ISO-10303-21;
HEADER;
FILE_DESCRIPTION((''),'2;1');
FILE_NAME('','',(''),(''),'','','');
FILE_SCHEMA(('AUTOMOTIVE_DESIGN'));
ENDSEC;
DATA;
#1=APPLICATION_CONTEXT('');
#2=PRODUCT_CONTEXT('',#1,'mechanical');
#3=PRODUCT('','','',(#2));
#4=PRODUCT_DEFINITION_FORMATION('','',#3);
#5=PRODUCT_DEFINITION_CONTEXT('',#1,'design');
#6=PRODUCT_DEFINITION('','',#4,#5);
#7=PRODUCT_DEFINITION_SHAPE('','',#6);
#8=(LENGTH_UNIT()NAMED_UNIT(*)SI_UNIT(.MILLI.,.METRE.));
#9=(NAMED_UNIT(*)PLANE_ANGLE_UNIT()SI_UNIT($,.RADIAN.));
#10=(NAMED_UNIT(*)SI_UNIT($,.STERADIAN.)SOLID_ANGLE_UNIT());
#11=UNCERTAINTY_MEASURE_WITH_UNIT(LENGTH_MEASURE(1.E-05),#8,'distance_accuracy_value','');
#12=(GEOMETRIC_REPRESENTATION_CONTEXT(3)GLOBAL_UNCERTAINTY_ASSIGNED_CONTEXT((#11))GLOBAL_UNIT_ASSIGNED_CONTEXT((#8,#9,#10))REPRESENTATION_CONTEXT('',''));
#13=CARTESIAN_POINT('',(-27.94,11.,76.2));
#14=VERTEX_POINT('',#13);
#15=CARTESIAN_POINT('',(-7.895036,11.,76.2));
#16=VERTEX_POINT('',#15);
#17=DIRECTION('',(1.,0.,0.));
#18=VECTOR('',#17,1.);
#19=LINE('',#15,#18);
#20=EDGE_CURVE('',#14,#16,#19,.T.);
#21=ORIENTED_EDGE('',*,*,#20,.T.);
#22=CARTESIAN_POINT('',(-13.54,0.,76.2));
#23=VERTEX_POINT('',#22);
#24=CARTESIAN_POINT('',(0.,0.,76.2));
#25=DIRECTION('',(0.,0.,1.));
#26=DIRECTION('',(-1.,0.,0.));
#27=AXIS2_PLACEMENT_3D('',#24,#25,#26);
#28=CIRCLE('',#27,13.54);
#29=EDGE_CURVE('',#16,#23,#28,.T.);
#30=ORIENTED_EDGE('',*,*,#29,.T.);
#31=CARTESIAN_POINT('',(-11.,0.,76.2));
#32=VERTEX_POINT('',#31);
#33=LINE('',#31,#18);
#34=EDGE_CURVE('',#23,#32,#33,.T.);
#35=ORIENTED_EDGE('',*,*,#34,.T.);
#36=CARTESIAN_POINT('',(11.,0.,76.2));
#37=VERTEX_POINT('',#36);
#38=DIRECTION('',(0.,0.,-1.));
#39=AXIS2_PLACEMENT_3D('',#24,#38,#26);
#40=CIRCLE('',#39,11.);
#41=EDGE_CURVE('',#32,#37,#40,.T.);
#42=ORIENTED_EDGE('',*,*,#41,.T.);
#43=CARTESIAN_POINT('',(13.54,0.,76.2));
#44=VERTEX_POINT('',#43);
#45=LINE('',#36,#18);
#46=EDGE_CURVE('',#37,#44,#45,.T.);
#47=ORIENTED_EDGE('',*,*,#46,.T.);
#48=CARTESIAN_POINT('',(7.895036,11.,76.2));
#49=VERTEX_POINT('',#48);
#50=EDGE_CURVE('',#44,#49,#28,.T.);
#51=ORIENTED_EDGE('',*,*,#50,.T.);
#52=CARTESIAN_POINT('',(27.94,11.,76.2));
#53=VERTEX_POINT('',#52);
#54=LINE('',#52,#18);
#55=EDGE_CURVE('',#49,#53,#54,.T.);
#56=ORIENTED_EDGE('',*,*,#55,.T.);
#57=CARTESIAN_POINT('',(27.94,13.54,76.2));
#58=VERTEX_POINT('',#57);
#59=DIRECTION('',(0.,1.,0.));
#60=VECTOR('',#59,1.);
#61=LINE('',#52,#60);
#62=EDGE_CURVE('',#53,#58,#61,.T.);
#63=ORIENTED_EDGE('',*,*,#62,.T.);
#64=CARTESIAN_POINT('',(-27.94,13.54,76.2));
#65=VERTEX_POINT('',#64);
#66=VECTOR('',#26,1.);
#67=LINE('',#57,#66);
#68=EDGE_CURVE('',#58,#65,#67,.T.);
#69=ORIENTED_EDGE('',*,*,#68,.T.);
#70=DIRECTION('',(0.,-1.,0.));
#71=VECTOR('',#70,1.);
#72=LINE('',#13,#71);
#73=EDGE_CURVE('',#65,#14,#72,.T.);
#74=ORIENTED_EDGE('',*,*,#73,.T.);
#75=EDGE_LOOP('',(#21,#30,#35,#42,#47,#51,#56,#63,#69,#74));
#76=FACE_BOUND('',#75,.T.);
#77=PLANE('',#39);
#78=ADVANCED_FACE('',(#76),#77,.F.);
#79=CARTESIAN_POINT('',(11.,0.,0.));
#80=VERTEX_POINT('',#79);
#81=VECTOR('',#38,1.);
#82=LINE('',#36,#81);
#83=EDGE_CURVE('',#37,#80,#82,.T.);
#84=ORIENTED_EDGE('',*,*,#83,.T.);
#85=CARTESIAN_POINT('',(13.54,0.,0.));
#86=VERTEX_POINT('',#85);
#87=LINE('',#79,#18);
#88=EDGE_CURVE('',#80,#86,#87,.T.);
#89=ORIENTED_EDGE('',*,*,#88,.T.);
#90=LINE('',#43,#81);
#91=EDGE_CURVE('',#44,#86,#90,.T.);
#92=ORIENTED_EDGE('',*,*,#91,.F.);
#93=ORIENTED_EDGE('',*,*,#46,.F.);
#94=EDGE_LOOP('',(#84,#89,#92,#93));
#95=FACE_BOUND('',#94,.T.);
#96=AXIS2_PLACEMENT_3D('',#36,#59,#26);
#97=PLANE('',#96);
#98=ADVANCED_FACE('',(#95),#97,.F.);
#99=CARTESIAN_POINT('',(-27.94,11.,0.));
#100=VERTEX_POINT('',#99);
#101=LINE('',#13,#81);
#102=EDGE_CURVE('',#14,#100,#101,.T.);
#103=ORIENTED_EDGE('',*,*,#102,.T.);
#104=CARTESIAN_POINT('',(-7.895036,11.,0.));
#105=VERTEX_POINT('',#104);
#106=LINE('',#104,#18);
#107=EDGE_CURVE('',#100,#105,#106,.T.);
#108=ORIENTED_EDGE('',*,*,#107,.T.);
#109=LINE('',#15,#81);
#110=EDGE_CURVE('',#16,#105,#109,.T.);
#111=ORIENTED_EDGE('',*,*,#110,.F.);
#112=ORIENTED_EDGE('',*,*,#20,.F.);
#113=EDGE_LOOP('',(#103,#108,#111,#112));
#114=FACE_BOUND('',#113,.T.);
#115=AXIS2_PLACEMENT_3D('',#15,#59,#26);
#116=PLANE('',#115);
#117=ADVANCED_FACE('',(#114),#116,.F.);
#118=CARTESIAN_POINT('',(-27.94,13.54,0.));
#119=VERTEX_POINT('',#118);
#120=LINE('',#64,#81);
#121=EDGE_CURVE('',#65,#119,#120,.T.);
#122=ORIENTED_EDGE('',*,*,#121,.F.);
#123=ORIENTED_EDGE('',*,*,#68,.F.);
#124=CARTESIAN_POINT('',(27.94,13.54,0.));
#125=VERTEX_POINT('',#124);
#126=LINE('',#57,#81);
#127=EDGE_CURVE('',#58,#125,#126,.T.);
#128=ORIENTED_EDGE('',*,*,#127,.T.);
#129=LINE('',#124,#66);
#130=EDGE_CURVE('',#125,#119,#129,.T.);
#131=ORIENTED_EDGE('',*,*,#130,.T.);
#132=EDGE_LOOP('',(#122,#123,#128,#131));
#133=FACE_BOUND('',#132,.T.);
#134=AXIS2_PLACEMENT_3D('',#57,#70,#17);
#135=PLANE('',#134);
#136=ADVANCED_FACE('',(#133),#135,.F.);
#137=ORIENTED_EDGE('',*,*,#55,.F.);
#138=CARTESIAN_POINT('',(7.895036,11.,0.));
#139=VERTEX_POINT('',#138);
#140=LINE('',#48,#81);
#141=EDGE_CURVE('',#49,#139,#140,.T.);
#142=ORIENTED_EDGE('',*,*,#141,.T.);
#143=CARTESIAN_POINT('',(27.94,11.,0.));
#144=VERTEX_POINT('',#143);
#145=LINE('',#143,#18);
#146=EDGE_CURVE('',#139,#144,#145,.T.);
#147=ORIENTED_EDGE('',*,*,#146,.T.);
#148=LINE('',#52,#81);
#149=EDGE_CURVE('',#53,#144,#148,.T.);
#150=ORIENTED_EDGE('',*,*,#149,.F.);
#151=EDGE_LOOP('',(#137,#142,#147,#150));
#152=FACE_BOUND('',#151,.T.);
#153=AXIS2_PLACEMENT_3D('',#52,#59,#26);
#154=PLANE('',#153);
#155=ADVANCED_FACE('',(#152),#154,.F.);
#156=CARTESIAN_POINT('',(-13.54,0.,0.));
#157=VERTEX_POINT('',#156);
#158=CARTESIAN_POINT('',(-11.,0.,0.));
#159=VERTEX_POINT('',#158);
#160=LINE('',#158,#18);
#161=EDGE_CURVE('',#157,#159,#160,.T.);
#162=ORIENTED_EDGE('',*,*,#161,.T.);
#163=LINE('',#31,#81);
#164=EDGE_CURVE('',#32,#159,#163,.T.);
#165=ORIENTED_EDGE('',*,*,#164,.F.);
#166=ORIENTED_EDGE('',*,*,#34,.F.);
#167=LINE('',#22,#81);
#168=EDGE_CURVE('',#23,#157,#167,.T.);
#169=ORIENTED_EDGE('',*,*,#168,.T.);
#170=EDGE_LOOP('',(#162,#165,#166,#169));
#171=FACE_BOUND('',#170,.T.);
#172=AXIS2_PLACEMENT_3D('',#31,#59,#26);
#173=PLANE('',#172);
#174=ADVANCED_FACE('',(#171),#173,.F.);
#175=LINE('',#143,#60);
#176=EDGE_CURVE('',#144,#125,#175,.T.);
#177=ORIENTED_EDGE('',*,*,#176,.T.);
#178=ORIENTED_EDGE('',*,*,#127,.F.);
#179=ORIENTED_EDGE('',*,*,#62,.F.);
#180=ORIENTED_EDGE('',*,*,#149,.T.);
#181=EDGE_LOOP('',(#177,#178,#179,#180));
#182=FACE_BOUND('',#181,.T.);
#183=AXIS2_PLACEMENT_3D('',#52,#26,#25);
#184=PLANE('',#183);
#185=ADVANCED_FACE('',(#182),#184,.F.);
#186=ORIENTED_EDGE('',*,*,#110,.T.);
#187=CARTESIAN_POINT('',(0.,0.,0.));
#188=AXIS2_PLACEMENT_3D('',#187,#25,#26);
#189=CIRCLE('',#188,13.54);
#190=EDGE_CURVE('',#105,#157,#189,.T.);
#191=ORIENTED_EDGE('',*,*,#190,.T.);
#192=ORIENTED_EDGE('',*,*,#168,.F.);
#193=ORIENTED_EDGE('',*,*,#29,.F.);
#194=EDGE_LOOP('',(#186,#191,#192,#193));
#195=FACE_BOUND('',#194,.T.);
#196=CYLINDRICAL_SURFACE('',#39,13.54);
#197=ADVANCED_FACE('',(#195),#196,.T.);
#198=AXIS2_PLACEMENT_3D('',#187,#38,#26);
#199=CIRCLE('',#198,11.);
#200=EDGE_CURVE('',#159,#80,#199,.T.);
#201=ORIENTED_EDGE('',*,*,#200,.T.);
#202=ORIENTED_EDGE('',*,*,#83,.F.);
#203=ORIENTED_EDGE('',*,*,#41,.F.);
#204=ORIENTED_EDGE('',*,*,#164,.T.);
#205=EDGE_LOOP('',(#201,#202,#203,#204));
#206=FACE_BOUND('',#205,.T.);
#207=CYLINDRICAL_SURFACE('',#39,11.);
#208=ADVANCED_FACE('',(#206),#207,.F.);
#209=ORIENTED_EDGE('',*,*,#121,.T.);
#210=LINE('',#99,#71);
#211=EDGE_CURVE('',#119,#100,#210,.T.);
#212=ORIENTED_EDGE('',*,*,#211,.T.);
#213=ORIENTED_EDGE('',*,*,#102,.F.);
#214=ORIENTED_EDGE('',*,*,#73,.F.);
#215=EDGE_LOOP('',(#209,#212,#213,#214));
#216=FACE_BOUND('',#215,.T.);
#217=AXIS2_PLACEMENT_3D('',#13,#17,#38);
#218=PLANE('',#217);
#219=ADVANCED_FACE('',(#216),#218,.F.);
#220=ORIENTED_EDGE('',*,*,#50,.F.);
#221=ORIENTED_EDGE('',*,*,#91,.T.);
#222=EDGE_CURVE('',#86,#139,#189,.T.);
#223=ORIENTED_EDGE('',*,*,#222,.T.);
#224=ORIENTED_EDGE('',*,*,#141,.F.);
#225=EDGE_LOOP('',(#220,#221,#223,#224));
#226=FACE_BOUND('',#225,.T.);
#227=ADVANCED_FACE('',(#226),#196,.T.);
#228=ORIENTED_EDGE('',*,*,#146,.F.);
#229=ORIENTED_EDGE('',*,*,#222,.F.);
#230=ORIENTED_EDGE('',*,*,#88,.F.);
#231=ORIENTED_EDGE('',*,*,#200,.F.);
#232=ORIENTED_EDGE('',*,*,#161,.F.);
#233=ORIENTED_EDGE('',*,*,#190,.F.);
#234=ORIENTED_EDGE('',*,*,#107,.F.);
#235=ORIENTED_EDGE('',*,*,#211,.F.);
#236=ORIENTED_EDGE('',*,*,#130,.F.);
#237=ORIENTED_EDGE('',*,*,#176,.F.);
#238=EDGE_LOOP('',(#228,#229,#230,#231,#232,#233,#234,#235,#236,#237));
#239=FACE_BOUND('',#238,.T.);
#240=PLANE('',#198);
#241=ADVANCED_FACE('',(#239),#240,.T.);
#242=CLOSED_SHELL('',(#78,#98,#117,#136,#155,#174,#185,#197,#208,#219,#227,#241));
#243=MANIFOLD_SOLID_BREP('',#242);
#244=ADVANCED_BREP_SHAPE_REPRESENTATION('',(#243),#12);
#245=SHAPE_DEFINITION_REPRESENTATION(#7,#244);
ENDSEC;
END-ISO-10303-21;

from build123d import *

# Parameters (mm, degrees)
BOSS_EXTRUDE1_DEPTH = 76.2


with BuildPart() as part:
    # Sketch1 → Boss-Extrude1 (new body)
    with BuildSketch(Plane.XY):
        with BuildLine():
            Line((-11, 0), (-13.54, 0))
            ThreePointArc((-13.54, 0), (-12.046376905, 6.181941723), (-7.895036415, 11))
            Line((-7.895036415, 11), (-27.94, 11))
            Line((-27.94, 11), (-27.94, 13.54))
            Line((-27.94, 13.54), (27.94, 13.54))
            Line((27.94, 13.54), (27.94, 11))
            Line((27.94, 11), (7.895036415, 11))
            ThreePointArc((7.895036415, 11), (12.046376905, 6.181941723), (13.54, 0))
            Line((13.54, 0), (11, 0))
            ThreePointArc((11, 0), (0, 11), (-11, 0))
        make_face()
    extrude(amount=BOSS_EXTRUDE1_DEPTH)


solid = part.part
